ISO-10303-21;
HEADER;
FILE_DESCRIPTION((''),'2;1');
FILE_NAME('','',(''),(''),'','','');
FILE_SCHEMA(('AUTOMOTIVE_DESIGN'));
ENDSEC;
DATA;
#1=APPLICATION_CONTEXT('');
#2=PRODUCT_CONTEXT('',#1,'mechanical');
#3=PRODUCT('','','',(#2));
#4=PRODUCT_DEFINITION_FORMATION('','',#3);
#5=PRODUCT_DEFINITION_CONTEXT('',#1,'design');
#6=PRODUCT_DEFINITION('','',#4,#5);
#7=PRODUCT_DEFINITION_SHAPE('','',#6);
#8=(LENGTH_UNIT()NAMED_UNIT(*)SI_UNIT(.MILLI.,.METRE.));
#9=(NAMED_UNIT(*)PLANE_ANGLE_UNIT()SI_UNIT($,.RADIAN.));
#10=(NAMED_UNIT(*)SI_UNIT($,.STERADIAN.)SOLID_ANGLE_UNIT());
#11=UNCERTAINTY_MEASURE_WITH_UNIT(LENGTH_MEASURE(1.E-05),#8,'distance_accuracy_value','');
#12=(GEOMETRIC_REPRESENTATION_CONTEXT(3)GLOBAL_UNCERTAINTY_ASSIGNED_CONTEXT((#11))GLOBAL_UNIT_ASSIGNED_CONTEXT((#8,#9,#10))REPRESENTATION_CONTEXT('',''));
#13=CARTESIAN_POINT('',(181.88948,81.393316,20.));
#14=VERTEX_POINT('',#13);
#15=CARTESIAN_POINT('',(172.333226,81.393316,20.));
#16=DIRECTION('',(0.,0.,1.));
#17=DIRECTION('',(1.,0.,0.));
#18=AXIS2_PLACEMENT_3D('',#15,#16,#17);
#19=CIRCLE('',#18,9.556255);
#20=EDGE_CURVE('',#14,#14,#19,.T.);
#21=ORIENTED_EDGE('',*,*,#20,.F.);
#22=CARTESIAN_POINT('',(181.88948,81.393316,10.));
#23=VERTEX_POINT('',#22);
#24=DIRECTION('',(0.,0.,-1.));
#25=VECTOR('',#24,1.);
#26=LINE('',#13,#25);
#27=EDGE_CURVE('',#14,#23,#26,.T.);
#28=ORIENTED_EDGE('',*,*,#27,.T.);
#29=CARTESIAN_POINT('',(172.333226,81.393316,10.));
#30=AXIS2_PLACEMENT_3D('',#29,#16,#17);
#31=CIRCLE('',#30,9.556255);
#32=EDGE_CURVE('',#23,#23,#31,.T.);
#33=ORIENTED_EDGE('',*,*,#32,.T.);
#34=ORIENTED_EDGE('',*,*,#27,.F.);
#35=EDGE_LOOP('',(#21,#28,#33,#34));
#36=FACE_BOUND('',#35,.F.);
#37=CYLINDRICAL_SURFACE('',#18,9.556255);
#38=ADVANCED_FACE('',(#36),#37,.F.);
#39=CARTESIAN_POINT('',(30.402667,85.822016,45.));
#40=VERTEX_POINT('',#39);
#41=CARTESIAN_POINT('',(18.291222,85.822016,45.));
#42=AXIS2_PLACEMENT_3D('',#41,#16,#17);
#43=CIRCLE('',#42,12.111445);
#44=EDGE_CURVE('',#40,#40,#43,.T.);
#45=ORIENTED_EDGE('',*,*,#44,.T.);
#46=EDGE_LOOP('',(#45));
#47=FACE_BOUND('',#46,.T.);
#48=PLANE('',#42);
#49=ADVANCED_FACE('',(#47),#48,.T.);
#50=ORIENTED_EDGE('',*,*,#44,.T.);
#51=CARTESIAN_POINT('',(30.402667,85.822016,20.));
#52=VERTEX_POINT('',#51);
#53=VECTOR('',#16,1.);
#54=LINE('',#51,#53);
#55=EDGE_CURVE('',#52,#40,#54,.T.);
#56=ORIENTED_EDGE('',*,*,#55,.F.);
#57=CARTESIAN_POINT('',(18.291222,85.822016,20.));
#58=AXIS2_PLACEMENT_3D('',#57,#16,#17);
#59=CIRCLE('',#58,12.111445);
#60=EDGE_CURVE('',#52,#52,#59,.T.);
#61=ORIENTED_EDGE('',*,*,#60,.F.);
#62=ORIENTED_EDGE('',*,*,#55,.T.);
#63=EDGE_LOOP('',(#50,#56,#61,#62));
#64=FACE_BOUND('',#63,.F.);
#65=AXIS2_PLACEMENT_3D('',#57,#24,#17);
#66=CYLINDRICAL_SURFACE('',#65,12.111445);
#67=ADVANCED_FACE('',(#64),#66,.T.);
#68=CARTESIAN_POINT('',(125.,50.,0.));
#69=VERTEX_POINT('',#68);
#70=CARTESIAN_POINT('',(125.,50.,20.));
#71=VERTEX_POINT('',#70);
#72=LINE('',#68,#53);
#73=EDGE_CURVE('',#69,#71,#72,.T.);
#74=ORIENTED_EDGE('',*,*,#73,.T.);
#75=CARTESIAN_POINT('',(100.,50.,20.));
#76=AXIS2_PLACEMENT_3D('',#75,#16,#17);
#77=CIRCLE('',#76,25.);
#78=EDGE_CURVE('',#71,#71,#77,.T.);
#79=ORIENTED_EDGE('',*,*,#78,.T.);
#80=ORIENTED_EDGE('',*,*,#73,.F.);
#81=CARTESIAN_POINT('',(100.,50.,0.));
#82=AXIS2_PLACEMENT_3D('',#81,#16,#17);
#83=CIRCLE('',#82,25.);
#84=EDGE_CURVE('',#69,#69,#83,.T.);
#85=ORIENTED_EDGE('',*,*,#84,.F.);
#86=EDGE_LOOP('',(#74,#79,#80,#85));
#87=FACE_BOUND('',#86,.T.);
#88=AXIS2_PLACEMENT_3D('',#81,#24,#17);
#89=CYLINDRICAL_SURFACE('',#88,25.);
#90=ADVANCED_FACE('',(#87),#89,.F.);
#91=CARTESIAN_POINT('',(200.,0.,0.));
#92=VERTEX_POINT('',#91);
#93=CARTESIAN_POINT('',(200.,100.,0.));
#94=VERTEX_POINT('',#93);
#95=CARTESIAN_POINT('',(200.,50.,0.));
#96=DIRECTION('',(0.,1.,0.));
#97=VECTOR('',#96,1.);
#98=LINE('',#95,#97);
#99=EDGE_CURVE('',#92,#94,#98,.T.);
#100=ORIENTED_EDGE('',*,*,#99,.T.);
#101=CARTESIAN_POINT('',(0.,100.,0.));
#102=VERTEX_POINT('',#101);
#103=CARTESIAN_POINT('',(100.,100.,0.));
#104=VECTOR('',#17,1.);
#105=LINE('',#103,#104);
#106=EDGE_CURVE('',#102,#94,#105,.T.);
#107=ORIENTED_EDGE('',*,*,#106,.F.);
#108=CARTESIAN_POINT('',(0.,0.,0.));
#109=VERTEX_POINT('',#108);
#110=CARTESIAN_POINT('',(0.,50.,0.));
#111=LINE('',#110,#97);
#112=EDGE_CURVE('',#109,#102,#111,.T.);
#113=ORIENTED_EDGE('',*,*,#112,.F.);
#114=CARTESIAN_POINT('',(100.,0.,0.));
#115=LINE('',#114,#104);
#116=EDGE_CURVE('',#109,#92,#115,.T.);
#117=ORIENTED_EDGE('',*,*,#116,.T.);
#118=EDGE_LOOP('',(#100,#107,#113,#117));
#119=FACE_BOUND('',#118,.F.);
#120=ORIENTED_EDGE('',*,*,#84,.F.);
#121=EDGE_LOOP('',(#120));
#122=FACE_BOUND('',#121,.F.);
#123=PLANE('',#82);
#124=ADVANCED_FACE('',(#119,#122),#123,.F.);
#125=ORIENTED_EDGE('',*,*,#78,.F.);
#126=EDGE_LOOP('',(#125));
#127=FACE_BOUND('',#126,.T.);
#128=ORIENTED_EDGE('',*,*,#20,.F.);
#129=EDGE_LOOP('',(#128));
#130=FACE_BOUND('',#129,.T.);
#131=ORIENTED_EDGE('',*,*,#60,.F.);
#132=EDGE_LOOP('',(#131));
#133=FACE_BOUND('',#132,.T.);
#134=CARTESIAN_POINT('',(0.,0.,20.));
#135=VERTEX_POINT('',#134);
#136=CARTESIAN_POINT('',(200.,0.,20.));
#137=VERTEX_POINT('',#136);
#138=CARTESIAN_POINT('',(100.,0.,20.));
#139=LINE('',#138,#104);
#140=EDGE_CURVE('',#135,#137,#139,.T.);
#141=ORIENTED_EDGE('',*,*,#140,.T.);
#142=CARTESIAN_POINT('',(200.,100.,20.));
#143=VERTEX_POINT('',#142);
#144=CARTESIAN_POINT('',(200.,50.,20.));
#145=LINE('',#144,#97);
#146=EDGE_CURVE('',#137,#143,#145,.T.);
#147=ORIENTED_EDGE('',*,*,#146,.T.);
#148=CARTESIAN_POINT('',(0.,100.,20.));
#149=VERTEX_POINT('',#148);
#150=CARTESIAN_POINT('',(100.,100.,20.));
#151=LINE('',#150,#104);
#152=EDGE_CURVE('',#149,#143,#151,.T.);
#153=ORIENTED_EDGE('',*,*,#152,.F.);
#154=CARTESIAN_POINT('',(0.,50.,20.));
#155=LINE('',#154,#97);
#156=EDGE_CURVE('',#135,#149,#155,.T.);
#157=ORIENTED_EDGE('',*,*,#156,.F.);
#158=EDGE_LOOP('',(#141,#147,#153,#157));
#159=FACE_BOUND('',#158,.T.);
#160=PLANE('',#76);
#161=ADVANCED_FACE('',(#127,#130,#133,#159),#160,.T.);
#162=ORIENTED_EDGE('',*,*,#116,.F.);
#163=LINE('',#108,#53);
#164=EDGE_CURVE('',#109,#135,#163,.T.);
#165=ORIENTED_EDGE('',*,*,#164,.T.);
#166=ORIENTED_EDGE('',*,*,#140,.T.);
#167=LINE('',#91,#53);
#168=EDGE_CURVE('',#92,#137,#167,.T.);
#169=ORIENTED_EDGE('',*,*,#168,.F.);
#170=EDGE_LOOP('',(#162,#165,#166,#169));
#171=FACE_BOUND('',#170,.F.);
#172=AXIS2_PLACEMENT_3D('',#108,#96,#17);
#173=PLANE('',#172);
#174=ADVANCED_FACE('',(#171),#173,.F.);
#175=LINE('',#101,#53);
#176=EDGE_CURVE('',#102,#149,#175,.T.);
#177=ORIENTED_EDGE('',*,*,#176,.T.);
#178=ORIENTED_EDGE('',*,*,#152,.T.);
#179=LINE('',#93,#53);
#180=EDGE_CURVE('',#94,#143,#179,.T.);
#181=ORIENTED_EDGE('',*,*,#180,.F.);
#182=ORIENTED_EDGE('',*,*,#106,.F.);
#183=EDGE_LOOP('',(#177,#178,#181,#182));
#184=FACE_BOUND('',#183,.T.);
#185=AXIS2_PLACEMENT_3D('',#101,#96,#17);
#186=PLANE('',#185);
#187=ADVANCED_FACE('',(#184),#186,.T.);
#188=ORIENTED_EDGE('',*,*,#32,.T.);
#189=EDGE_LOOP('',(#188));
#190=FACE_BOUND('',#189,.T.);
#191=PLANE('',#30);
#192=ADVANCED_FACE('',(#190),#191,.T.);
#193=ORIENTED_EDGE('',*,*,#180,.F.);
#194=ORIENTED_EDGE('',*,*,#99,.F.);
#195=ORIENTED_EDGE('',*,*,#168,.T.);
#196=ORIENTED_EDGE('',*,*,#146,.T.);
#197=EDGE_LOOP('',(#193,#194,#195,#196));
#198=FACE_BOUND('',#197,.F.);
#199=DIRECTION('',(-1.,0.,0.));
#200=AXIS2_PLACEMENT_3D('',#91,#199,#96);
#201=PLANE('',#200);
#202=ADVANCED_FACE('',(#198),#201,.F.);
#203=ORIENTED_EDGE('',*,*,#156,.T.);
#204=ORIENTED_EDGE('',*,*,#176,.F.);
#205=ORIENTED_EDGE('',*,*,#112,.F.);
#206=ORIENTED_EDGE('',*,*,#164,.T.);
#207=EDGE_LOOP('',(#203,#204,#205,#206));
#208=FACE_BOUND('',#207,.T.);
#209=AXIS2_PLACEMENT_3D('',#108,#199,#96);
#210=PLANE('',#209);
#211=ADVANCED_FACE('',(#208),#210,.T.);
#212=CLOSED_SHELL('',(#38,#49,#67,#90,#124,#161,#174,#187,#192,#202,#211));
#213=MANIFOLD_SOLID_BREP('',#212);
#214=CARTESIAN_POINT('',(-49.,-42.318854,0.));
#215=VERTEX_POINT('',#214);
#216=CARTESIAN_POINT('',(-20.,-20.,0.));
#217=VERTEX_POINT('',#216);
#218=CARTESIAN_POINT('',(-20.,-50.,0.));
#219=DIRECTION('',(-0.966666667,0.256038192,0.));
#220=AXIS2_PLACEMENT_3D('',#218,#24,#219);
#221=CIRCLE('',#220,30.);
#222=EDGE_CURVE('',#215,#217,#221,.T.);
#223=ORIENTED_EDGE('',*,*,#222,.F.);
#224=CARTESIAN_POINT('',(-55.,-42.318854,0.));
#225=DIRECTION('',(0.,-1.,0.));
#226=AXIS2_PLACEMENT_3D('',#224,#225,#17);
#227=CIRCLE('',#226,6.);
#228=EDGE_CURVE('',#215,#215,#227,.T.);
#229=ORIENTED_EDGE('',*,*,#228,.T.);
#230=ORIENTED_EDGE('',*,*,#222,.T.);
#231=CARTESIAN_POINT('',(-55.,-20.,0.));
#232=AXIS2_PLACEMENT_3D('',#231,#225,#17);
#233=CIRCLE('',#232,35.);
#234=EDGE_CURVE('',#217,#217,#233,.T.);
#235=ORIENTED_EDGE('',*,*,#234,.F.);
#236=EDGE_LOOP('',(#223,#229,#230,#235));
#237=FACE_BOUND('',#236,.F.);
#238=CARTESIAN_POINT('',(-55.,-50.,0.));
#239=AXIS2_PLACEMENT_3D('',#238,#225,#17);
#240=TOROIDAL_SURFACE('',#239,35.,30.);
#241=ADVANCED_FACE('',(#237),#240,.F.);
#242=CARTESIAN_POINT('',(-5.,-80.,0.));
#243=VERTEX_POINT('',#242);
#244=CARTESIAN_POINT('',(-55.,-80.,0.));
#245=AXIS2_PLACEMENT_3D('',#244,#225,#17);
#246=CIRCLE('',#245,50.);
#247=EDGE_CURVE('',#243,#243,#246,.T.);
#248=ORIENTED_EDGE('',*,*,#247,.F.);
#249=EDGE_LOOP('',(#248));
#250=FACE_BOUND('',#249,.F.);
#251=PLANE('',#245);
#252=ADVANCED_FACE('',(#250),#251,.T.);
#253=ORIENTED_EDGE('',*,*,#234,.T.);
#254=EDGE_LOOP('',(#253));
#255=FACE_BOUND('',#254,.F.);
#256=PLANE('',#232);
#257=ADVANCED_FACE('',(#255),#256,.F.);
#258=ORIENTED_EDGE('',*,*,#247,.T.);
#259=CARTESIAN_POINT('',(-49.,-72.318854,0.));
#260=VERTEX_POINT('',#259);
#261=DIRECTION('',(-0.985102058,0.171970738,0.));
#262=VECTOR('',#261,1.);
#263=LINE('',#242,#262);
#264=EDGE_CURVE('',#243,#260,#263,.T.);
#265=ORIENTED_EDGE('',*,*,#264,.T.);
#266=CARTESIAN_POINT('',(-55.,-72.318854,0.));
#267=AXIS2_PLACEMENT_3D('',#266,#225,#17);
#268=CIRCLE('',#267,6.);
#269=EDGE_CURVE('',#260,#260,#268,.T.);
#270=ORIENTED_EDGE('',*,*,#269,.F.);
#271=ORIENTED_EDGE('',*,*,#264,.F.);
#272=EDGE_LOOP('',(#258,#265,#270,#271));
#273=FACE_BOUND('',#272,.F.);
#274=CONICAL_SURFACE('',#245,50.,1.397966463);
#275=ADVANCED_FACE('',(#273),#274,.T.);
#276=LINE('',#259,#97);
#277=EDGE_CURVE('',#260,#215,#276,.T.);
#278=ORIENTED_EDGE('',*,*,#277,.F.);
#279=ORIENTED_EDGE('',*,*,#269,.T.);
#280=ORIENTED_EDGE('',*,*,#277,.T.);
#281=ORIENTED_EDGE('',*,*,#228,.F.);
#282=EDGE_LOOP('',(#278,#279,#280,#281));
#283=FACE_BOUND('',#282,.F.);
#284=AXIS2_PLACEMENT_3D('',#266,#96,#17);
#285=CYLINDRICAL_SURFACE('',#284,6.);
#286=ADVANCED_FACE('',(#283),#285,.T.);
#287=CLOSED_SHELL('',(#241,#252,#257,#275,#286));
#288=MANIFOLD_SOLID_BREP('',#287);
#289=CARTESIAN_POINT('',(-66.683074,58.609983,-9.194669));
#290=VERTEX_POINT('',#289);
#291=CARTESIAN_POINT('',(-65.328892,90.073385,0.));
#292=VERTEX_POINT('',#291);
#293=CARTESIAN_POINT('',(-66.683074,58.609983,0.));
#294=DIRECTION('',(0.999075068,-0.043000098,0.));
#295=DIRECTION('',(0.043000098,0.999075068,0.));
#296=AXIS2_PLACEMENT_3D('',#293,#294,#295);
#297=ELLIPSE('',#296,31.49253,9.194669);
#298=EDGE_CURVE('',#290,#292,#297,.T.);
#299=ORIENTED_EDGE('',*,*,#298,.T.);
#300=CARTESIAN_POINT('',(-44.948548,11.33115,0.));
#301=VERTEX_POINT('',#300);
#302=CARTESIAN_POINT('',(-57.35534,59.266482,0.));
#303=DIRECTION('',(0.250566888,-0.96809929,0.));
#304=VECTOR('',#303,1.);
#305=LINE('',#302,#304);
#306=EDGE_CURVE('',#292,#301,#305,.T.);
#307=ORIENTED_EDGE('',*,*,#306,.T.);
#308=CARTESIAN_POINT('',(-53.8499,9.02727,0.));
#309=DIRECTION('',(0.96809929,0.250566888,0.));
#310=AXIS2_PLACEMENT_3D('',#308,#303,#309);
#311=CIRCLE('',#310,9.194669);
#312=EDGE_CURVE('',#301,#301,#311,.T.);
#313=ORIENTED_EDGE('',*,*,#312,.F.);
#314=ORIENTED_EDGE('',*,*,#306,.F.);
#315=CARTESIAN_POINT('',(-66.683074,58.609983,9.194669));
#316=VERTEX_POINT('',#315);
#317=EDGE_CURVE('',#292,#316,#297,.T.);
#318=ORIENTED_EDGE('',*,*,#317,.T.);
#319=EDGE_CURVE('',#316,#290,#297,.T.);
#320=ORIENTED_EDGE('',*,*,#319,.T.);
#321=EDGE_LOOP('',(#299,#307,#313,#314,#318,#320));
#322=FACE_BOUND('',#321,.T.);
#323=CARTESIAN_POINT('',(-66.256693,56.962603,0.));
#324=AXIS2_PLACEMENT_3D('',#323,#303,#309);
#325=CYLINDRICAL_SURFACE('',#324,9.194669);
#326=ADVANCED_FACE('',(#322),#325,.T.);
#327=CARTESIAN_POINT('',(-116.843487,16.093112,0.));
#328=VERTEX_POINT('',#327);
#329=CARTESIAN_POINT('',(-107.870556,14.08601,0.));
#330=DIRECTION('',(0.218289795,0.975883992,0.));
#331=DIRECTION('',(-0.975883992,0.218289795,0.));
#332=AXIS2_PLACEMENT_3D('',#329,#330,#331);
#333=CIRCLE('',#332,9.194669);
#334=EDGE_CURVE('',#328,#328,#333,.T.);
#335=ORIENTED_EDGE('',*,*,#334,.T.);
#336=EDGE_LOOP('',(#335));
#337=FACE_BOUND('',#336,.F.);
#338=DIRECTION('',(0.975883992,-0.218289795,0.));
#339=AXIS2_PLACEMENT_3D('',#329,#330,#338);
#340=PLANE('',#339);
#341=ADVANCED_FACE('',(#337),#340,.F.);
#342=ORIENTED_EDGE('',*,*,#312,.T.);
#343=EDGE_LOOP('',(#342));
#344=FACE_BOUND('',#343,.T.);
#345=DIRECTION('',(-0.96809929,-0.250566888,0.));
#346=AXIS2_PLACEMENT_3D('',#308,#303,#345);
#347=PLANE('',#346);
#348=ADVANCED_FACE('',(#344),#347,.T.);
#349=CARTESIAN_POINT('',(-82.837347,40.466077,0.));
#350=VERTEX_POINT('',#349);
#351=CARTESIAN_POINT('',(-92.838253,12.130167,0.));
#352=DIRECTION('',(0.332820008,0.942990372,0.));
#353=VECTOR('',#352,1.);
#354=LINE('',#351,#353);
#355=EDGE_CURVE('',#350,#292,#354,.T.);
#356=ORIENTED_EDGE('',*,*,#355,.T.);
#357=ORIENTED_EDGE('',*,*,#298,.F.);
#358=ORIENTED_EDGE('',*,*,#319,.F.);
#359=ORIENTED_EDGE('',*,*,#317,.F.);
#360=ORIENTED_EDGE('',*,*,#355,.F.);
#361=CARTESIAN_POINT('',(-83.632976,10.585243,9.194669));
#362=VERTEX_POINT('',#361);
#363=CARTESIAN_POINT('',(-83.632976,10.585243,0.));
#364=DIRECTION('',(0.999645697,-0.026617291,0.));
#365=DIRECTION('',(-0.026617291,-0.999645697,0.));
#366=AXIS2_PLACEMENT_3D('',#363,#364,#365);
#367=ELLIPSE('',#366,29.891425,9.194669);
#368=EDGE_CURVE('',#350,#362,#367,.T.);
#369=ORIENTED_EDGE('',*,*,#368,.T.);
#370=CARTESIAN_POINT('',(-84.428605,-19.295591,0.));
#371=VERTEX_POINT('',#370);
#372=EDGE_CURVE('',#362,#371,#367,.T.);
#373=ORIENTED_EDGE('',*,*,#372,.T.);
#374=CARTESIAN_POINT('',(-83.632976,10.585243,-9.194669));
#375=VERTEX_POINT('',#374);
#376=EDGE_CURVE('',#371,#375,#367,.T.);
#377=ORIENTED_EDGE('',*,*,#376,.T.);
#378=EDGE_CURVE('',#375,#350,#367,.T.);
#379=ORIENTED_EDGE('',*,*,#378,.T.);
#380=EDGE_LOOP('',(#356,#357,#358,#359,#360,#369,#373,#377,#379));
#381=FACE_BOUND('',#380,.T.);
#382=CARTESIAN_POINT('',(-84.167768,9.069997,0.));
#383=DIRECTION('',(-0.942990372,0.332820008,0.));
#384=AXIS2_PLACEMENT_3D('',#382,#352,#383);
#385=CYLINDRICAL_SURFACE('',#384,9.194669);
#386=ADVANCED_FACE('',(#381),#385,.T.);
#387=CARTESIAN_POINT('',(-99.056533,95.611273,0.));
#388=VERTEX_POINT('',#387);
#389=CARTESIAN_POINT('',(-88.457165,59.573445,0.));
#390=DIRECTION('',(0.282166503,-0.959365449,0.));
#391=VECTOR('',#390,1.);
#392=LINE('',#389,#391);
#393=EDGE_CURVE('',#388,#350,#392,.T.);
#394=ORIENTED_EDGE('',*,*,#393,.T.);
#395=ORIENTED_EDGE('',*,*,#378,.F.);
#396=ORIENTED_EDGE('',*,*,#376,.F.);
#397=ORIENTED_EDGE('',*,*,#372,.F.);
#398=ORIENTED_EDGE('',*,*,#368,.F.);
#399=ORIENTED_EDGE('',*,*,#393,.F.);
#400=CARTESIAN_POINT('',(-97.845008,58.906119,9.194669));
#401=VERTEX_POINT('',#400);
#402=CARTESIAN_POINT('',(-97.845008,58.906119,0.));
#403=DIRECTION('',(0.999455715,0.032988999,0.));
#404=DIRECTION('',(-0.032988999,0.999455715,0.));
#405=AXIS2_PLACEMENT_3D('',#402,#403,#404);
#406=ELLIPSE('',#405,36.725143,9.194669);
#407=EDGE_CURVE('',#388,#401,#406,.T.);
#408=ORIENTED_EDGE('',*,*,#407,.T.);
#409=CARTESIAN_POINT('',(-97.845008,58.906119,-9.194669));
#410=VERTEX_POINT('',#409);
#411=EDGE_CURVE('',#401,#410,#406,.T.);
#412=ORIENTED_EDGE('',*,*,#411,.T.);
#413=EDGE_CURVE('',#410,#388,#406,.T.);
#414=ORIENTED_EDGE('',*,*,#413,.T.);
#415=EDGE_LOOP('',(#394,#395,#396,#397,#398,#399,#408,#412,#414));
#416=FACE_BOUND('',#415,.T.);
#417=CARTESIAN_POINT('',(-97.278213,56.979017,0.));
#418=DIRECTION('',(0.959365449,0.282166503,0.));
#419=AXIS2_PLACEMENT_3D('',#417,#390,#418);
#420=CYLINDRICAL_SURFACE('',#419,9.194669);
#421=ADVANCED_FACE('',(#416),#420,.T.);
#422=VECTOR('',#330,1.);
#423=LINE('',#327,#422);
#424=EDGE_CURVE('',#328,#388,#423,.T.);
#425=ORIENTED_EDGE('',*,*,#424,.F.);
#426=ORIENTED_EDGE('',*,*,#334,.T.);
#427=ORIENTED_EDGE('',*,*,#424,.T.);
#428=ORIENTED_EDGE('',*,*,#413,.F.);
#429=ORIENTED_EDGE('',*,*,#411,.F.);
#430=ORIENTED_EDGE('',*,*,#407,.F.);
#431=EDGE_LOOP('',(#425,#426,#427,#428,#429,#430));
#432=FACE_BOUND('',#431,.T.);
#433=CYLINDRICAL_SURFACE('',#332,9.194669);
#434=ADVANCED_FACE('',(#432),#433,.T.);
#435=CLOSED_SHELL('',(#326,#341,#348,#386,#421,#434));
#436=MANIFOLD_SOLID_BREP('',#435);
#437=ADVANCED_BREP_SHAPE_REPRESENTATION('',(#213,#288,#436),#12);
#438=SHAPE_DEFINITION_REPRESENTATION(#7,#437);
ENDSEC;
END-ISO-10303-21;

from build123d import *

# Parameters (mm, degrees)
F0_W     = 200
F0_H     = 100
F0_R     = 25
F1_DEPTH = 20
F2_R     = 9.5562546225
F3_DEPTH = 10
F4_R     = 12.1114454646
F5_DEPTH = 25
F10_R    = 9.1946691557


with BuildPart() as f1:
    # F0 (on Top) → F1 (new body)
    with BuildSketch(Plane.XY):
        with Locations((100, 50)):
            Rectangle(F0_W, F0_H)
        with Locations((100, 50)):
            Circle(F0_R, mode=Mode.SUBTRACT)
    extrude(amount=F1_DEPTH)

    # F2 (on face) → F3 (cut)
    with BuildSketch(Plane.XY.offset(20)):
        with Locations((172.3332256079, 81.3933163881)):
            Circle(F2_R)
    extrude(amount=-F3_DEPTH, mode=Mode.SUBTRACT)

    # F4 (on face) → F5 (join)
    with BuildSketch(Plane.XY.offset(20)):
        with Locations((18.2912219316, 85.8220160007)):
            Circle(F4_R)
    extrude(amount=F5_DEPTH)


with BuildPart() as f7:
    # F6 (on Top) → F7 (revolve)
    with BuildSketch(Plane.XY):
        with BuildLine():
            ThreePointArc((-49, -42.3188542521), (-38.2970711804, -26.2257032445), (-20, -20))
            Line((-20, -20), (-55, -20))
            Line((-55, -20), (-55, -80))
            Line((-55, -80), (-5, -80))
            Line((-5, -80), (-49, -72.3188542521))
            Line((-49, -72.3188542521), (-49, -42.3188542521))
        make_face()
    revolve(axis=Axis((-55, -50, 0), (0, -1, 0)))


with BuildPart() as f11:
    # F11: sweep along a path in F8
    with BuildLine(Plane.XY) as f11_path:
        Line((-107.3636263609, 13.9726176858), (-97.7765619755, 56.8324439228))
        Line((-97.7765619755, 56.8324439228), (-83.6779251695, 8.8971117511))
        Line((-83.6779251695, 8.8971117511), (-66.7595788836, 56.8324439228))
        Line((-66.7595788836, 56.8324439228), (-54.352786392, 8.8971117511))
    # F10 (on line) → F11 (sweep)
    with BuildSketch(Plane(origin=(-2.139399341, -9.5643755294, 0), x_dir=(-0.9758839919, 0.2182897945, 0), z_dir=(0.2182897945, 0.9758839919, 0))):
        with Locations((108.3439812064, 0)):
            Circle(F10_R)
    sweep(path=f11_path.line, transition=Transition.RIGHT)


solid = Compound([f1.part, f7.part, f11.part])
